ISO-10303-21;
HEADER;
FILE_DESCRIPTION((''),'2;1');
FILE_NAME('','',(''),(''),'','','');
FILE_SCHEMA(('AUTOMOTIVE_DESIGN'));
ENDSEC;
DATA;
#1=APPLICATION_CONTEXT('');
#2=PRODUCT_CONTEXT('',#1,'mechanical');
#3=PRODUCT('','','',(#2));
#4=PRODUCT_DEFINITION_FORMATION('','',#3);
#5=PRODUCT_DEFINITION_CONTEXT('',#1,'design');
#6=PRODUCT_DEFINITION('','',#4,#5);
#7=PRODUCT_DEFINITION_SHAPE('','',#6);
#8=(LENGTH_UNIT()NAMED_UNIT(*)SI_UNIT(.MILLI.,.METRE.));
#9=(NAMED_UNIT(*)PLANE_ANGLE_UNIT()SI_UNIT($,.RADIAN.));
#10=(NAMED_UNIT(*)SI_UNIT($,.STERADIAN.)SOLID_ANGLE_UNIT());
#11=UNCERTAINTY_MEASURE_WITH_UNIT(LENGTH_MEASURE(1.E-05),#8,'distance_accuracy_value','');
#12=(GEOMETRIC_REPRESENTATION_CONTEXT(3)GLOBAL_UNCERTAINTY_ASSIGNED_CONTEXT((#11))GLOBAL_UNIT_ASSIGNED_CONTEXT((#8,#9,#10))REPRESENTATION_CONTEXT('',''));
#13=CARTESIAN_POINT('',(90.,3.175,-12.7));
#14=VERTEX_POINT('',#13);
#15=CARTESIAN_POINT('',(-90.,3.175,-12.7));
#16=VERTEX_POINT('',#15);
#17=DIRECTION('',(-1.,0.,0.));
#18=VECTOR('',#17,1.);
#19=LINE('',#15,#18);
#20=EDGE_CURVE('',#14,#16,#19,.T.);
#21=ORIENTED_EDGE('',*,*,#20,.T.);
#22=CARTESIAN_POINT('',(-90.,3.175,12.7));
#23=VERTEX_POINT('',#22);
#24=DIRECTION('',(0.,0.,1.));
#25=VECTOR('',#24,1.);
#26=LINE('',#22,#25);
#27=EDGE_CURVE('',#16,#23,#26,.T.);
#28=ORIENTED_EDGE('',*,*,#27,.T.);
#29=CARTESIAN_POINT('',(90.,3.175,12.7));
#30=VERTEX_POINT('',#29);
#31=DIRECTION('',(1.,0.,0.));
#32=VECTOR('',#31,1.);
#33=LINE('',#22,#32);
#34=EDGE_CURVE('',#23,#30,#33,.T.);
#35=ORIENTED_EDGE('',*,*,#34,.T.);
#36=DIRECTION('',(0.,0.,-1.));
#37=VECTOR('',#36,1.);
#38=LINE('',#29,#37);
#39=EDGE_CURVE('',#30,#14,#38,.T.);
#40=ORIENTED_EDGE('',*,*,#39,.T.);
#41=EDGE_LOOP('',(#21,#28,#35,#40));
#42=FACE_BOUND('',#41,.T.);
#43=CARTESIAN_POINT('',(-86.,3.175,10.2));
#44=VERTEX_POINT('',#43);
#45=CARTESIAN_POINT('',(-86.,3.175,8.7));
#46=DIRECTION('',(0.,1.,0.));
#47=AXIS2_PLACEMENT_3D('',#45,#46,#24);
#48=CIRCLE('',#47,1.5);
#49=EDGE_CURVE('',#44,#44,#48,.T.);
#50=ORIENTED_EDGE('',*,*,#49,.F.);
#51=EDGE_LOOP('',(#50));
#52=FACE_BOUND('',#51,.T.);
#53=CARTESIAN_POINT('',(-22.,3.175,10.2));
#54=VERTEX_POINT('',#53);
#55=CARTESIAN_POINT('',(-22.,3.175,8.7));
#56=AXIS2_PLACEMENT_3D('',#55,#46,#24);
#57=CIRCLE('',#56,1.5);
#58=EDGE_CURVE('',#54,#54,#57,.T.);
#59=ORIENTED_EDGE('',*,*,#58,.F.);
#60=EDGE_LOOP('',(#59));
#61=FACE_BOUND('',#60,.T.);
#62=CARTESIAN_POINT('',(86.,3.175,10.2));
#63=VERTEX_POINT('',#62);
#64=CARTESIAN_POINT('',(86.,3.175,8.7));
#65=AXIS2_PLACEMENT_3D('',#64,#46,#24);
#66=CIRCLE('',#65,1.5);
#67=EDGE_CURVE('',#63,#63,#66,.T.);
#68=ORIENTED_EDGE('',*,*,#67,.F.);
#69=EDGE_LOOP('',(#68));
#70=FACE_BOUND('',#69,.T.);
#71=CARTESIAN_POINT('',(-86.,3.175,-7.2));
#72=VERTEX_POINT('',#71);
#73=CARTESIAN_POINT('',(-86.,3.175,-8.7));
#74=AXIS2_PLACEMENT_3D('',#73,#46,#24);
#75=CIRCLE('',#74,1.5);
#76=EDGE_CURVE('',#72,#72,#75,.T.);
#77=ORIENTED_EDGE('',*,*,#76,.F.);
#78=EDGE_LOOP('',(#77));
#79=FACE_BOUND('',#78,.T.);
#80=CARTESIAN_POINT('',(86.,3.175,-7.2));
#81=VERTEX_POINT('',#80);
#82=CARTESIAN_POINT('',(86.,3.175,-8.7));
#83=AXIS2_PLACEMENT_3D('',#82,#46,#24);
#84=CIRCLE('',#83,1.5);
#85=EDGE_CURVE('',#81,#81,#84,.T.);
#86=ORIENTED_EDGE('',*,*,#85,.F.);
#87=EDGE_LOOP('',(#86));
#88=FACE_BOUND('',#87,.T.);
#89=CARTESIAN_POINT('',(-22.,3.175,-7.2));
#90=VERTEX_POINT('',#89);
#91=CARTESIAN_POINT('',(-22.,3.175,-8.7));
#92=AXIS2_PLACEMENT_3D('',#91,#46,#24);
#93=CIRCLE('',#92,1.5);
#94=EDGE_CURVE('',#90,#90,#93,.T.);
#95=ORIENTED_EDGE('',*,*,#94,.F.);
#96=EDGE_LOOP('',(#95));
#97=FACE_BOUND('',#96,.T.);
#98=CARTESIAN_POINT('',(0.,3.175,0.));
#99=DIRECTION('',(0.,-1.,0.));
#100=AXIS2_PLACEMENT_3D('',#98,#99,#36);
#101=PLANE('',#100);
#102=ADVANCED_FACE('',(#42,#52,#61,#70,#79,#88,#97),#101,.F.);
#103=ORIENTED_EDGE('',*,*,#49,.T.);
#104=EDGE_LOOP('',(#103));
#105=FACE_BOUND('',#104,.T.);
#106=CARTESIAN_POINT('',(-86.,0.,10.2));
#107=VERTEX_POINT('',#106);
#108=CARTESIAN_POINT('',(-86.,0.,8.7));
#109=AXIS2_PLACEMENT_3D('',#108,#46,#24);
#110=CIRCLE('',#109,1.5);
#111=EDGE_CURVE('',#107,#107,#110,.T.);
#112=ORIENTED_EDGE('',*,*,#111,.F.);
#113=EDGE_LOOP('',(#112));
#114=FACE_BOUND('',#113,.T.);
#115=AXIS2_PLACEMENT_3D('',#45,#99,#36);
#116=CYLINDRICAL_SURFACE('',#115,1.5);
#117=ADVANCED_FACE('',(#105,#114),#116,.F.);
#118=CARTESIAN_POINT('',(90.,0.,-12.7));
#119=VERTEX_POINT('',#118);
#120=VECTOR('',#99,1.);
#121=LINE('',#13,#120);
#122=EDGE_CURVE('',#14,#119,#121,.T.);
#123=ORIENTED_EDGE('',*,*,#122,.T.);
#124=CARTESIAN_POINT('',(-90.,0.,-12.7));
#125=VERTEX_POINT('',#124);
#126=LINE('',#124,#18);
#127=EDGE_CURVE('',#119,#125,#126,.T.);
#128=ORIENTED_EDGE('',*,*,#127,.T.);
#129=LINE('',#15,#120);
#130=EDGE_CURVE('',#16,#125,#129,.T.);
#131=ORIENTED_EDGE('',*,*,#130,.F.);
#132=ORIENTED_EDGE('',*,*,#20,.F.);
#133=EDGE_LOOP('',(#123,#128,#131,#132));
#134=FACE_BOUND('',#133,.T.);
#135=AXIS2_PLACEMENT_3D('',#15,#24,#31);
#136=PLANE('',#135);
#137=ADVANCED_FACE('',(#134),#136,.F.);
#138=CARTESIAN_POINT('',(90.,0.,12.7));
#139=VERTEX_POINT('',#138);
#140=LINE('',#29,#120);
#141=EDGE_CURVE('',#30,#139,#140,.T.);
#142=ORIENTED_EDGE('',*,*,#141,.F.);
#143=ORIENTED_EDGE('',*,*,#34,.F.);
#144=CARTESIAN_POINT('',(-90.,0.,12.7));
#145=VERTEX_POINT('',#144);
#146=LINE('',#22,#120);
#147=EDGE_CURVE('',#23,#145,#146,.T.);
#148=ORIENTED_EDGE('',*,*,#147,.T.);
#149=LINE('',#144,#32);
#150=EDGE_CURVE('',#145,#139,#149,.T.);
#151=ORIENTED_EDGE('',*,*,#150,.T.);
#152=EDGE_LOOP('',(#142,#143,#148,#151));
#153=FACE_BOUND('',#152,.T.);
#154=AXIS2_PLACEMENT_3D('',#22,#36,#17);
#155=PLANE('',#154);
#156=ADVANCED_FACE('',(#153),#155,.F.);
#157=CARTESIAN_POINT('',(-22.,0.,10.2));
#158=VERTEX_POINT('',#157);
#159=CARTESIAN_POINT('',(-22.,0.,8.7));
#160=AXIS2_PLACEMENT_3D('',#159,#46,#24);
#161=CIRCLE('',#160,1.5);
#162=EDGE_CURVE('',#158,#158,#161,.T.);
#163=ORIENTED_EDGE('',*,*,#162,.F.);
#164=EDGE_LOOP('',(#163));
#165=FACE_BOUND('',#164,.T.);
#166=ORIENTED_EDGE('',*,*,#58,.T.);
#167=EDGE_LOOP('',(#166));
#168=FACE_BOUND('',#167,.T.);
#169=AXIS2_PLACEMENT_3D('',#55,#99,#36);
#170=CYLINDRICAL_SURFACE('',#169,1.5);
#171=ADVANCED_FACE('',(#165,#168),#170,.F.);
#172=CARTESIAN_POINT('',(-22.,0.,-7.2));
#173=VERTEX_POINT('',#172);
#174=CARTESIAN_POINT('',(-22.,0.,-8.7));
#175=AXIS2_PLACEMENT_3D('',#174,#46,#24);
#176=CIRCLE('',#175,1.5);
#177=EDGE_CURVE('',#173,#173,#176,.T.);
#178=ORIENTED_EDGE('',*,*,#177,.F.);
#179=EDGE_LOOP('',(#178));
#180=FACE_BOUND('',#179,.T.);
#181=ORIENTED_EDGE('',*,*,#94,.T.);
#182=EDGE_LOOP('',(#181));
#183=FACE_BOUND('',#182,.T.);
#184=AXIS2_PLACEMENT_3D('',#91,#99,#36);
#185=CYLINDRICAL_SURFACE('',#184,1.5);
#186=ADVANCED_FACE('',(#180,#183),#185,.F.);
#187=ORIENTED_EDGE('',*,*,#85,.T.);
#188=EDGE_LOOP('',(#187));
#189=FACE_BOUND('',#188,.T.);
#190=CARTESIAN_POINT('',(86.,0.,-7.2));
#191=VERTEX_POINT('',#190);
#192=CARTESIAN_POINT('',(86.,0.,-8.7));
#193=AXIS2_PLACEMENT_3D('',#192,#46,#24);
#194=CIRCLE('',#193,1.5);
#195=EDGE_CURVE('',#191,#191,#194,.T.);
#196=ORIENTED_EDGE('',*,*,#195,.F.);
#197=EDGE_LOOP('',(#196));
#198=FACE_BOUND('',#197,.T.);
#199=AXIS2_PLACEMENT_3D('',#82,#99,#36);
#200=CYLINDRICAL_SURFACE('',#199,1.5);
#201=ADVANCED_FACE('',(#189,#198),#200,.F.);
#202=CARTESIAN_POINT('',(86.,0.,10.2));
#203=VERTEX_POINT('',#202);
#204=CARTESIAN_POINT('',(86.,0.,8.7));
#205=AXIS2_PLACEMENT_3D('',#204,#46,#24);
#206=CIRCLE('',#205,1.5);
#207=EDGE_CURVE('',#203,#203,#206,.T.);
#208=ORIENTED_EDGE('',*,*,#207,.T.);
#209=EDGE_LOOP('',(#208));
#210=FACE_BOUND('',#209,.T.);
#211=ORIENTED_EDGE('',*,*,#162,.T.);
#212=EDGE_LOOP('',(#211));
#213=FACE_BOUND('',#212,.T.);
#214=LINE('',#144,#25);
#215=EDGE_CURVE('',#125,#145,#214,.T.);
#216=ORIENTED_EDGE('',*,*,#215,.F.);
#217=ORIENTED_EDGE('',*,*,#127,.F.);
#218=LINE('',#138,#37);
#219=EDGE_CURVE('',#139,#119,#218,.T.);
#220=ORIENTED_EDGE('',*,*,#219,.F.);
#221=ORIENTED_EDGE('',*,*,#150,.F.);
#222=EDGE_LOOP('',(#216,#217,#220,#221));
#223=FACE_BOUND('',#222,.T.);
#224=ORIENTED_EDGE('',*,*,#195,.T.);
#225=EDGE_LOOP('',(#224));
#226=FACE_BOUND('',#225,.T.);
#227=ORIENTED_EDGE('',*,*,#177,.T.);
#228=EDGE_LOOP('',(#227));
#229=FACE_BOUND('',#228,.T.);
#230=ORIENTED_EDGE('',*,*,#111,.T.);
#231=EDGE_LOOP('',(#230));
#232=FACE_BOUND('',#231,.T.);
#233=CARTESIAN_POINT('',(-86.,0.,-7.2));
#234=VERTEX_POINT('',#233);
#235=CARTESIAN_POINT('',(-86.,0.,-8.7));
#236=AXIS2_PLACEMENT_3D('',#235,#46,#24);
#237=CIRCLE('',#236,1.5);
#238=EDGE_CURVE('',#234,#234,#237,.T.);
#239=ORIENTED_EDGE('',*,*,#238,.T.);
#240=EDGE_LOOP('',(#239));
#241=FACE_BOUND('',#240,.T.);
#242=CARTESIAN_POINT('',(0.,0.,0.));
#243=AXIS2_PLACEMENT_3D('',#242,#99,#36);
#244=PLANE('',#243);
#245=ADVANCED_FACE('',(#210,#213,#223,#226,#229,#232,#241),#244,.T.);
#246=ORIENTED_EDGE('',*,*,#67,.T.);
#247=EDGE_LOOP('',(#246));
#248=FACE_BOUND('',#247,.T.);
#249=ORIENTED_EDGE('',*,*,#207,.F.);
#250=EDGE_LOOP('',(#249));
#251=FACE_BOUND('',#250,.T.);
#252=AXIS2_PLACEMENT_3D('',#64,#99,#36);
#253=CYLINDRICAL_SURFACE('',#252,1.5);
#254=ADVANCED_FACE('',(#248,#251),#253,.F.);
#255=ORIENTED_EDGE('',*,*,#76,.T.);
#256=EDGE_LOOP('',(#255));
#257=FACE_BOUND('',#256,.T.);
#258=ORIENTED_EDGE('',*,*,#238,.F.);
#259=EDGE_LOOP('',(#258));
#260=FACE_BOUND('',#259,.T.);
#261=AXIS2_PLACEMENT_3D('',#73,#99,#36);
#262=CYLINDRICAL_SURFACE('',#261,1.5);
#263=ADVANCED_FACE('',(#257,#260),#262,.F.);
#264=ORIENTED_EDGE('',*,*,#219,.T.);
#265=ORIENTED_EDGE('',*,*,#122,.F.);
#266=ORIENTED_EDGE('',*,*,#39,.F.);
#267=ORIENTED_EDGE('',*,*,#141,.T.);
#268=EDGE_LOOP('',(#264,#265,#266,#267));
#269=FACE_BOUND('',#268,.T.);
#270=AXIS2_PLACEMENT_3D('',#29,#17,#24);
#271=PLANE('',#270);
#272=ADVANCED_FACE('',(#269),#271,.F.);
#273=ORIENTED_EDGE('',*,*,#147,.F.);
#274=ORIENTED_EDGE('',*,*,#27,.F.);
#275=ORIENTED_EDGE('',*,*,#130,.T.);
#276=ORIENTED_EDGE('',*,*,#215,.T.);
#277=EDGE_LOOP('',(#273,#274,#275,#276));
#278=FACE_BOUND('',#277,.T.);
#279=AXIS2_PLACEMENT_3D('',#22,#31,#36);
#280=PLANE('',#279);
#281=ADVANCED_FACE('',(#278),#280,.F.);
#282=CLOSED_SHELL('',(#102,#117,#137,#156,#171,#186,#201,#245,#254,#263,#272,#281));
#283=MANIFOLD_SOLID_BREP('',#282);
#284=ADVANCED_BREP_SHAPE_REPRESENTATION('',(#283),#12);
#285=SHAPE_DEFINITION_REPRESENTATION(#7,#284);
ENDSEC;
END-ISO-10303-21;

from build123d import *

# Parameters (mm, degrees)
CROQUIS1_W              = 180
CROQUIS1_H              = 25.4
CROQUIS1_R              = 1.5
SALIENTE_EXTRUIR1_DEPTH = 3.175


with BuildPart() as part:
    # Croquis1 → Saliente-Extruir1 (new body)
    with BuildSketch(Plane(origin=(0, 0, 0), x_dir=(1, 0, 0), z_dir=(0, 1, 0))):
        Rectangle(CROQUIS1_W, CROQUIS1_H)
        with Locations((-86, 8.7)):
            Circle(CROQUIS1_R, mode=Mode.SUBTRACT)
        with Locations((-86, -8.7)):
            Circle(CROQUIS1_R, mode=Mode.SUBTRACT)
        with Locations((86, -8.7)):
            Circle(CROQUIS1_R, mode=Mode.SUBTRACT)
        with Locations((86, 8.7)):
            Circle(CROQUIS1_R, mode=Mode.SUBTRACT)
        with Locations((-22, 8.7)):
            Circle(CROQUIS1_R, mode=Mode.SUBTRACT)
        with Locations((-22, -8.7)):
            Circle(CROQUIS1_R, mode=Mode.SUBTRACT)
    extrude(amount=SALIENTE_EXTRUIR1_DEPTH)


solid = part.part
